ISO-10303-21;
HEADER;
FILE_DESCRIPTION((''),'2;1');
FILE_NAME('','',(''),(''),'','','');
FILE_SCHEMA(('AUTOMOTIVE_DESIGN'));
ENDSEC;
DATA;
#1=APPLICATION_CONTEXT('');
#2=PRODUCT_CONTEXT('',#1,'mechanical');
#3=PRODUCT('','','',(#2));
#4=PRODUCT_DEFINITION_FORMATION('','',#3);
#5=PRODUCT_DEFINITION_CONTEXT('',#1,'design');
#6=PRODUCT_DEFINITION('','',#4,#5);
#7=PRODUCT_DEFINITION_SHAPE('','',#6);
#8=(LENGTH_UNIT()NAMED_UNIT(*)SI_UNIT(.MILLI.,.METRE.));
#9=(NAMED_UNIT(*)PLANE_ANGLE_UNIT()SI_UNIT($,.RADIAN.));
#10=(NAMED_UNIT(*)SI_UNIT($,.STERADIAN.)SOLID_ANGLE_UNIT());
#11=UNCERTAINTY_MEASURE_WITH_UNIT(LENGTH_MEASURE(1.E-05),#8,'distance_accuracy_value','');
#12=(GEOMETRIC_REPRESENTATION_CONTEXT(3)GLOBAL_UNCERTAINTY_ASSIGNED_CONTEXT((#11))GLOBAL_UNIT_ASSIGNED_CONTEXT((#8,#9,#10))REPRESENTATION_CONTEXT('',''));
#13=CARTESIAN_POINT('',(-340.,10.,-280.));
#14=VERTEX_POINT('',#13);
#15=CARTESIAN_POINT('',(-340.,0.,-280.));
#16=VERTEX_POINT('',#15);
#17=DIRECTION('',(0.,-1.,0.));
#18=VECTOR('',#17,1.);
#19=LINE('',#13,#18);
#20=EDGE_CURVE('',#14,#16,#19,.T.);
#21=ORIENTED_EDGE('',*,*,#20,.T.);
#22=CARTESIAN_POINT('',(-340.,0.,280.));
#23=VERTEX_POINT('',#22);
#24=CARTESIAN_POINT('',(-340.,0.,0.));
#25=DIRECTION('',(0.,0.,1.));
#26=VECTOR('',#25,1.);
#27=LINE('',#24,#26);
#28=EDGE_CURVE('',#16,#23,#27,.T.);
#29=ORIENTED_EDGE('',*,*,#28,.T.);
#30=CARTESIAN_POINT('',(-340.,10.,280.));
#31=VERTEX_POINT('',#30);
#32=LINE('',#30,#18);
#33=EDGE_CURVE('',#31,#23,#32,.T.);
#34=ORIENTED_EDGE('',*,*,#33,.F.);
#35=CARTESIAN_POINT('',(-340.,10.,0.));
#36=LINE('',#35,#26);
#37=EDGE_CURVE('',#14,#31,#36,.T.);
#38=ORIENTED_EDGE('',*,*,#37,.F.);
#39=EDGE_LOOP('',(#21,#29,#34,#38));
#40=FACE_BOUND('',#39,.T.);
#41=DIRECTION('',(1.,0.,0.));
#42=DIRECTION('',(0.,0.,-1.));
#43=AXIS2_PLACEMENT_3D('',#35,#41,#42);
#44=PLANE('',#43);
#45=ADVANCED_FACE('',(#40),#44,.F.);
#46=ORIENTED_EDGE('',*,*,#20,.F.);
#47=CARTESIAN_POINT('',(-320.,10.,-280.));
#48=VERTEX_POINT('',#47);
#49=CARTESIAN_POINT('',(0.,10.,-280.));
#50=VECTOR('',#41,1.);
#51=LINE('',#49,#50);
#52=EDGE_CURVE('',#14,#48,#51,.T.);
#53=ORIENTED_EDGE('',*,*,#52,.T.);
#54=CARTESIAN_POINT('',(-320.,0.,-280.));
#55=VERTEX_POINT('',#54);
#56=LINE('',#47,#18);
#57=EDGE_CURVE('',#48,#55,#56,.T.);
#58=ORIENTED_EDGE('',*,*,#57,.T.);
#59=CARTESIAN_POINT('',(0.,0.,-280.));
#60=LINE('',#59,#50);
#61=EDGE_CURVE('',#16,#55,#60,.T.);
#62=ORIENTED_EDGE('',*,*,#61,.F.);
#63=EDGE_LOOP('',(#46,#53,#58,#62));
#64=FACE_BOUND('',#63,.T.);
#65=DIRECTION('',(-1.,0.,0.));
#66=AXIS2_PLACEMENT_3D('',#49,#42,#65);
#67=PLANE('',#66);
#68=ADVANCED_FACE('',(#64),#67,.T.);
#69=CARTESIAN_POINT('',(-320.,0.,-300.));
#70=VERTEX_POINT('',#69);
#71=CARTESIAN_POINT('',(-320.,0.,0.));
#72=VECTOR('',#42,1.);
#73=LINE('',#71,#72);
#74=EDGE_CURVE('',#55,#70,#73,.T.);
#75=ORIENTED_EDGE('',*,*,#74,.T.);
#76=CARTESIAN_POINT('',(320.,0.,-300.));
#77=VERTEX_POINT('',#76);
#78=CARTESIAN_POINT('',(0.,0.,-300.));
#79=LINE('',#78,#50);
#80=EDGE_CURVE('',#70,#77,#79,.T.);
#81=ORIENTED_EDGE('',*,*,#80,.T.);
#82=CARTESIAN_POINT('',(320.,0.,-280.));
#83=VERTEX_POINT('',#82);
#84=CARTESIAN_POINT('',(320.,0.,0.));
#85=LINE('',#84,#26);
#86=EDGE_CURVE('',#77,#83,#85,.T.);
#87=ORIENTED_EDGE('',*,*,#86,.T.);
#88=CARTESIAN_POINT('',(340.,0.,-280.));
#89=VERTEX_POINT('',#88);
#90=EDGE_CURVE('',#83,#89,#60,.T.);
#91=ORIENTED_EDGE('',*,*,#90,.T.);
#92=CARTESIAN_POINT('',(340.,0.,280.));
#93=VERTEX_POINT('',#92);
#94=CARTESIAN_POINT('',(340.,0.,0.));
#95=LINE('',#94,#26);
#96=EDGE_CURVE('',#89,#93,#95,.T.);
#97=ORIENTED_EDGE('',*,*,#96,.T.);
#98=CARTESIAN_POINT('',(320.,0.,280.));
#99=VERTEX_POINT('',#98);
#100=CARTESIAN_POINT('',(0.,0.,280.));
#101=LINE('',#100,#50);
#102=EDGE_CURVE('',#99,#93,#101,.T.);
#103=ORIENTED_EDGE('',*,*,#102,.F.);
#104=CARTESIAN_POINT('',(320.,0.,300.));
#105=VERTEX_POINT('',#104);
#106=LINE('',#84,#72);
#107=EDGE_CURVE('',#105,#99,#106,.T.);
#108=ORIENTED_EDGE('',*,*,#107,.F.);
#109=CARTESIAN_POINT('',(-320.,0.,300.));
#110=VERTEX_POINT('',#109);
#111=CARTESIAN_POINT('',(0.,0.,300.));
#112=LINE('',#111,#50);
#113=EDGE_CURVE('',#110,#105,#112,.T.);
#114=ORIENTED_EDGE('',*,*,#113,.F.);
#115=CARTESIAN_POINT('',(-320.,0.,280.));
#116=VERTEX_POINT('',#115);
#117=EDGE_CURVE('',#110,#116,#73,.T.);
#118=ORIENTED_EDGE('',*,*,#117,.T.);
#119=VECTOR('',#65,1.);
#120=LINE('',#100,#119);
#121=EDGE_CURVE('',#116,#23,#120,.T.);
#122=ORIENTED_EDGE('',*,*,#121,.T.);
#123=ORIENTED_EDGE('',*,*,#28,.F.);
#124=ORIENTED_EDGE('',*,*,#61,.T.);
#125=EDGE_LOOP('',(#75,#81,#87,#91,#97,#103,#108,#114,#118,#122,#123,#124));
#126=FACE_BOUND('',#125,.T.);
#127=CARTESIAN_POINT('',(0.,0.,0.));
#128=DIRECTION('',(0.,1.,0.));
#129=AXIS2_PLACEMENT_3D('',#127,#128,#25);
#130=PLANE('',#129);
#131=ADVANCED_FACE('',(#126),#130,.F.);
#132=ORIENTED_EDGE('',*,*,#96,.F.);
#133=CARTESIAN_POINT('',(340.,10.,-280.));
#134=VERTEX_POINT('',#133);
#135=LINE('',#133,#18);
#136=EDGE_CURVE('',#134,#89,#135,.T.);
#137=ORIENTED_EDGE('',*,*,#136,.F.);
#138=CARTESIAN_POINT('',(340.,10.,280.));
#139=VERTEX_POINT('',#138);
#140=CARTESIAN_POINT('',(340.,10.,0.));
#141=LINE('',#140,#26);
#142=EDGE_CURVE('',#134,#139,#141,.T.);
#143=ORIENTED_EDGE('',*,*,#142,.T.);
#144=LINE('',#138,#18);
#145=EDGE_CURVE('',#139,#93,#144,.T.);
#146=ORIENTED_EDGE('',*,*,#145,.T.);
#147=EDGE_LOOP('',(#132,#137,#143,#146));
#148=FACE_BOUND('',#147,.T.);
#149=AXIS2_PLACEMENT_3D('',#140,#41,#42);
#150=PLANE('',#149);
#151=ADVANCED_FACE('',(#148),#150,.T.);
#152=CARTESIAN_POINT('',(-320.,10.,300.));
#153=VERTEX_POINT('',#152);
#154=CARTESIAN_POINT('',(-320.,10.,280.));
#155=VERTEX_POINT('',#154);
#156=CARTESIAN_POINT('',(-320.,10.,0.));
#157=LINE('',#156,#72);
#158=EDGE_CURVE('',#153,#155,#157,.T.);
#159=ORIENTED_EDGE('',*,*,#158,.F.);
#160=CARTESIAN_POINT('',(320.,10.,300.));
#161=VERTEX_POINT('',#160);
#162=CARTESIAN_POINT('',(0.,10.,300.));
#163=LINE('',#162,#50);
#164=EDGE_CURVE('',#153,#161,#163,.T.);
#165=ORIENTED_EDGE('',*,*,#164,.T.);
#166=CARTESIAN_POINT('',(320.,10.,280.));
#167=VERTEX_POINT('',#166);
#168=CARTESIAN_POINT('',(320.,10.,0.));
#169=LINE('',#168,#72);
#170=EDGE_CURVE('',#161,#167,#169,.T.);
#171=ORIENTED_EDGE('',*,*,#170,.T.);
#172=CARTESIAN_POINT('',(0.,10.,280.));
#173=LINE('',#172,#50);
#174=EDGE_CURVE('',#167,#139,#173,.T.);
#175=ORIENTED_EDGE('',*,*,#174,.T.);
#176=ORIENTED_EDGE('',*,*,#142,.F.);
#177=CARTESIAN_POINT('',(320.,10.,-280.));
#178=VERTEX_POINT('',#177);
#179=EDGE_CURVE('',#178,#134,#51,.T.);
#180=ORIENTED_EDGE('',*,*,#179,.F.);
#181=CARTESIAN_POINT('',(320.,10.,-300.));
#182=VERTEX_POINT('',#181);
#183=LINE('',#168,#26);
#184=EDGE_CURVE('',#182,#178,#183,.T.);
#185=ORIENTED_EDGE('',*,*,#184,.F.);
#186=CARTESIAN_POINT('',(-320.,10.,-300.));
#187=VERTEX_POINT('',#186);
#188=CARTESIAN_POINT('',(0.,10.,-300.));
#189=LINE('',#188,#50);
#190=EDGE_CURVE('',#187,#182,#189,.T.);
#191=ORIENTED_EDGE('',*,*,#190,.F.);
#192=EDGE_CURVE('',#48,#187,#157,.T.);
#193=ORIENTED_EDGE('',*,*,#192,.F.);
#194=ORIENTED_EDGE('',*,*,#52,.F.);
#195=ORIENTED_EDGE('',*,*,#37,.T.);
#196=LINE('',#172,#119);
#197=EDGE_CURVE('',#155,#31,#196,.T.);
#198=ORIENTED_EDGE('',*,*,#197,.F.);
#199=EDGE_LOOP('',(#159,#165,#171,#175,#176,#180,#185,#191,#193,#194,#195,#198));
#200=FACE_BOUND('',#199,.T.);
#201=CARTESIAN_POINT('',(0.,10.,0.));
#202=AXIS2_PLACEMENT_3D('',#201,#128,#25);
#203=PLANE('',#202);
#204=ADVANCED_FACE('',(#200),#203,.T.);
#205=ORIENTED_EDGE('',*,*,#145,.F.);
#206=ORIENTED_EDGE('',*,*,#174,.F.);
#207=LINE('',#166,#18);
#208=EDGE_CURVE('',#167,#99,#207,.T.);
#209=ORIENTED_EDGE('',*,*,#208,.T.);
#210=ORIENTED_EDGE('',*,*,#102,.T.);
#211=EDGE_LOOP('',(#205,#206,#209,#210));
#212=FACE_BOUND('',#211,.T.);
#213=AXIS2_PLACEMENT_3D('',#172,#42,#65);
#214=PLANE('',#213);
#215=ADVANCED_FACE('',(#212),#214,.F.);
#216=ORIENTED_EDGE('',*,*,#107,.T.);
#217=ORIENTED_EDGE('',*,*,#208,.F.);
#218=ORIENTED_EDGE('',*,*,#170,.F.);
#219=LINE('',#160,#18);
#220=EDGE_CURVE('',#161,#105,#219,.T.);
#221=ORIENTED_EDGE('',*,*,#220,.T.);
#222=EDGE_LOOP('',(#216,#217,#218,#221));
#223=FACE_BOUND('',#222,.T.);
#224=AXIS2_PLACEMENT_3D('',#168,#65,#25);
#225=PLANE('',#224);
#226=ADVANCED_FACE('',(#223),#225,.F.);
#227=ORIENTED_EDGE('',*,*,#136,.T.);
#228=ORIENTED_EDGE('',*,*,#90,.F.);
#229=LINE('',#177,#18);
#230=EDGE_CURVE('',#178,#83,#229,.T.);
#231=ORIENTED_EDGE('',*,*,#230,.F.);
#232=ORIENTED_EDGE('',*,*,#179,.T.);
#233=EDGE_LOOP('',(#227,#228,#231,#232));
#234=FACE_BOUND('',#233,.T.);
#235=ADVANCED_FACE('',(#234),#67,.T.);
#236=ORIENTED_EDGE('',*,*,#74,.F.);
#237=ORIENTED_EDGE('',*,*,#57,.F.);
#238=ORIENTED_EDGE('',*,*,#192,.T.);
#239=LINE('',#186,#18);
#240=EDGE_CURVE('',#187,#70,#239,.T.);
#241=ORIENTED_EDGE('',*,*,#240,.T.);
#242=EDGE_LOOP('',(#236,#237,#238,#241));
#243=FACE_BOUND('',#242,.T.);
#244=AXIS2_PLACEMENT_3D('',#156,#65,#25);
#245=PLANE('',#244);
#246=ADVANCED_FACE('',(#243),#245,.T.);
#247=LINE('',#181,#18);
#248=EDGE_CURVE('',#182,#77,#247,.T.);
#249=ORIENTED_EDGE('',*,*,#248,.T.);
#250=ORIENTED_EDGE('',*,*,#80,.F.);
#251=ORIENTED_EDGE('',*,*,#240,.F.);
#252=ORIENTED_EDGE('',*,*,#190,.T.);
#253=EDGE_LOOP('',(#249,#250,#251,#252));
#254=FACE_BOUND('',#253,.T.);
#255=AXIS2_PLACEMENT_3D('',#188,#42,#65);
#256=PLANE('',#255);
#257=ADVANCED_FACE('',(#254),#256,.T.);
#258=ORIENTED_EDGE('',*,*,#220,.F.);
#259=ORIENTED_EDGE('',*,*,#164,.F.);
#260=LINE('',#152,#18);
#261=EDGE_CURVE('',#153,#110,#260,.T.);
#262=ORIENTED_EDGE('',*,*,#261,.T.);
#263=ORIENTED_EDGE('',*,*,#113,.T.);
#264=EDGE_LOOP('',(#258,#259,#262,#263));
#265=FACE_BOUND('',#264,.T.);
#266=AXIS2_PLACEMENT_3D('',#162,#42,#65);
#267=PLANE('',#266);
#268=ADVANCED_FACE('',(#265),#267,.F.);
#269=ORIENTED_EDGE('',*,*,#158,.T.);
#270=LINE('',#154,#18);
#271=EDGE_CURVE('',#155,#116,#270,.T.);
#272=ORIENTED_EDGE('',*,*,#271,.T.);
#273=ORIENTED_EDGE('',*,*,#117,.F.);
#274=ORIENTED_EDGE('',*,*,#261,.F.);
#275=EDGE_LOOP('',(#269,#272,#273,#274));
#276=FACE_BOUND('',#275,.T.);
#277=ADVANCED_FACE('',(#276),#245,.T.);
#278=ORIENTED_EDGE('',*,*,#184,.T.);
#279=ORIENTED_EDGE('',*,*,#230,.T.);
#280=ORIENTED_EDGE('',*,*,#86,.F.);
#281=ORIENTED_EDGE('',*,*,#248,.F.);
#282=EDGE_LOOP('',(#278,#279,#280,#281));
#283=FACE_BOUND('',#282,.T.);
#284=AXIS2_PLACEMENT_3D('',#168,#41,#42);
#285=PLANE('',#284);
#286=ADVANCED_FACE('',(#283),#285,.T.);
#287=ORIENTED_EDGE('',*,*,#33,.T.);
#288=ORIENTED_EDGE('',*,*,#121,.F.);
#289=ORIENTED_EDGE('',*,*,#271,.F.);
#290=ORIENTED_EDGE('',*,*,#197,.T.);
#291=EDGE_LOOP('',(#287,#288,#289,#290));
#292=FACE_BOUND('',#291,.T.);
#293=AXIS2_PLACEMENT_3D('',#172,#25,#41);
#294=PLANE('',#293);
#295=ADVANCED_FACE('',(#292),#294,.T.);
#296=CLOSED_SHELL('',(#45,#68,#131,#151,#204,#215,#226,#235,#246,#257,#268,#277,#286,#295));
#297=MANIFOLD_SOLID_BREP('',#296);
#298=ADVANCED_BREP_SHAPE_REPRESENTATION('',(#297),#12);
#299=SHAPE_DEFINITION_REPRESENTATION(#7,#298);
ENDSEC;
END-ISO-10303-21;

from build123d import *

# Parameters (mm, degrees)
BOSS_EXTRUDE2_DEPTH = 10


with BuildPart() as part:
    # Sketch1 → Boss-Extrude2 (new body)
    with BuildSketch(Plane(origin=(0, 0, 0), x_dir=(1, 0, 0), z_dir=(0, 1, 0))):
        Polygon((320, 300), (-320, 300), (-320, 280), (-340, 280), (-340, -280), (-320, -280), (-320, -300), (320, -300), (320, -280), (340, -280), (340, 280), (320, 280), align=None)
    extrude(amount=BOSS_EXTRUDE2_DEPTH)


solid = part.part
